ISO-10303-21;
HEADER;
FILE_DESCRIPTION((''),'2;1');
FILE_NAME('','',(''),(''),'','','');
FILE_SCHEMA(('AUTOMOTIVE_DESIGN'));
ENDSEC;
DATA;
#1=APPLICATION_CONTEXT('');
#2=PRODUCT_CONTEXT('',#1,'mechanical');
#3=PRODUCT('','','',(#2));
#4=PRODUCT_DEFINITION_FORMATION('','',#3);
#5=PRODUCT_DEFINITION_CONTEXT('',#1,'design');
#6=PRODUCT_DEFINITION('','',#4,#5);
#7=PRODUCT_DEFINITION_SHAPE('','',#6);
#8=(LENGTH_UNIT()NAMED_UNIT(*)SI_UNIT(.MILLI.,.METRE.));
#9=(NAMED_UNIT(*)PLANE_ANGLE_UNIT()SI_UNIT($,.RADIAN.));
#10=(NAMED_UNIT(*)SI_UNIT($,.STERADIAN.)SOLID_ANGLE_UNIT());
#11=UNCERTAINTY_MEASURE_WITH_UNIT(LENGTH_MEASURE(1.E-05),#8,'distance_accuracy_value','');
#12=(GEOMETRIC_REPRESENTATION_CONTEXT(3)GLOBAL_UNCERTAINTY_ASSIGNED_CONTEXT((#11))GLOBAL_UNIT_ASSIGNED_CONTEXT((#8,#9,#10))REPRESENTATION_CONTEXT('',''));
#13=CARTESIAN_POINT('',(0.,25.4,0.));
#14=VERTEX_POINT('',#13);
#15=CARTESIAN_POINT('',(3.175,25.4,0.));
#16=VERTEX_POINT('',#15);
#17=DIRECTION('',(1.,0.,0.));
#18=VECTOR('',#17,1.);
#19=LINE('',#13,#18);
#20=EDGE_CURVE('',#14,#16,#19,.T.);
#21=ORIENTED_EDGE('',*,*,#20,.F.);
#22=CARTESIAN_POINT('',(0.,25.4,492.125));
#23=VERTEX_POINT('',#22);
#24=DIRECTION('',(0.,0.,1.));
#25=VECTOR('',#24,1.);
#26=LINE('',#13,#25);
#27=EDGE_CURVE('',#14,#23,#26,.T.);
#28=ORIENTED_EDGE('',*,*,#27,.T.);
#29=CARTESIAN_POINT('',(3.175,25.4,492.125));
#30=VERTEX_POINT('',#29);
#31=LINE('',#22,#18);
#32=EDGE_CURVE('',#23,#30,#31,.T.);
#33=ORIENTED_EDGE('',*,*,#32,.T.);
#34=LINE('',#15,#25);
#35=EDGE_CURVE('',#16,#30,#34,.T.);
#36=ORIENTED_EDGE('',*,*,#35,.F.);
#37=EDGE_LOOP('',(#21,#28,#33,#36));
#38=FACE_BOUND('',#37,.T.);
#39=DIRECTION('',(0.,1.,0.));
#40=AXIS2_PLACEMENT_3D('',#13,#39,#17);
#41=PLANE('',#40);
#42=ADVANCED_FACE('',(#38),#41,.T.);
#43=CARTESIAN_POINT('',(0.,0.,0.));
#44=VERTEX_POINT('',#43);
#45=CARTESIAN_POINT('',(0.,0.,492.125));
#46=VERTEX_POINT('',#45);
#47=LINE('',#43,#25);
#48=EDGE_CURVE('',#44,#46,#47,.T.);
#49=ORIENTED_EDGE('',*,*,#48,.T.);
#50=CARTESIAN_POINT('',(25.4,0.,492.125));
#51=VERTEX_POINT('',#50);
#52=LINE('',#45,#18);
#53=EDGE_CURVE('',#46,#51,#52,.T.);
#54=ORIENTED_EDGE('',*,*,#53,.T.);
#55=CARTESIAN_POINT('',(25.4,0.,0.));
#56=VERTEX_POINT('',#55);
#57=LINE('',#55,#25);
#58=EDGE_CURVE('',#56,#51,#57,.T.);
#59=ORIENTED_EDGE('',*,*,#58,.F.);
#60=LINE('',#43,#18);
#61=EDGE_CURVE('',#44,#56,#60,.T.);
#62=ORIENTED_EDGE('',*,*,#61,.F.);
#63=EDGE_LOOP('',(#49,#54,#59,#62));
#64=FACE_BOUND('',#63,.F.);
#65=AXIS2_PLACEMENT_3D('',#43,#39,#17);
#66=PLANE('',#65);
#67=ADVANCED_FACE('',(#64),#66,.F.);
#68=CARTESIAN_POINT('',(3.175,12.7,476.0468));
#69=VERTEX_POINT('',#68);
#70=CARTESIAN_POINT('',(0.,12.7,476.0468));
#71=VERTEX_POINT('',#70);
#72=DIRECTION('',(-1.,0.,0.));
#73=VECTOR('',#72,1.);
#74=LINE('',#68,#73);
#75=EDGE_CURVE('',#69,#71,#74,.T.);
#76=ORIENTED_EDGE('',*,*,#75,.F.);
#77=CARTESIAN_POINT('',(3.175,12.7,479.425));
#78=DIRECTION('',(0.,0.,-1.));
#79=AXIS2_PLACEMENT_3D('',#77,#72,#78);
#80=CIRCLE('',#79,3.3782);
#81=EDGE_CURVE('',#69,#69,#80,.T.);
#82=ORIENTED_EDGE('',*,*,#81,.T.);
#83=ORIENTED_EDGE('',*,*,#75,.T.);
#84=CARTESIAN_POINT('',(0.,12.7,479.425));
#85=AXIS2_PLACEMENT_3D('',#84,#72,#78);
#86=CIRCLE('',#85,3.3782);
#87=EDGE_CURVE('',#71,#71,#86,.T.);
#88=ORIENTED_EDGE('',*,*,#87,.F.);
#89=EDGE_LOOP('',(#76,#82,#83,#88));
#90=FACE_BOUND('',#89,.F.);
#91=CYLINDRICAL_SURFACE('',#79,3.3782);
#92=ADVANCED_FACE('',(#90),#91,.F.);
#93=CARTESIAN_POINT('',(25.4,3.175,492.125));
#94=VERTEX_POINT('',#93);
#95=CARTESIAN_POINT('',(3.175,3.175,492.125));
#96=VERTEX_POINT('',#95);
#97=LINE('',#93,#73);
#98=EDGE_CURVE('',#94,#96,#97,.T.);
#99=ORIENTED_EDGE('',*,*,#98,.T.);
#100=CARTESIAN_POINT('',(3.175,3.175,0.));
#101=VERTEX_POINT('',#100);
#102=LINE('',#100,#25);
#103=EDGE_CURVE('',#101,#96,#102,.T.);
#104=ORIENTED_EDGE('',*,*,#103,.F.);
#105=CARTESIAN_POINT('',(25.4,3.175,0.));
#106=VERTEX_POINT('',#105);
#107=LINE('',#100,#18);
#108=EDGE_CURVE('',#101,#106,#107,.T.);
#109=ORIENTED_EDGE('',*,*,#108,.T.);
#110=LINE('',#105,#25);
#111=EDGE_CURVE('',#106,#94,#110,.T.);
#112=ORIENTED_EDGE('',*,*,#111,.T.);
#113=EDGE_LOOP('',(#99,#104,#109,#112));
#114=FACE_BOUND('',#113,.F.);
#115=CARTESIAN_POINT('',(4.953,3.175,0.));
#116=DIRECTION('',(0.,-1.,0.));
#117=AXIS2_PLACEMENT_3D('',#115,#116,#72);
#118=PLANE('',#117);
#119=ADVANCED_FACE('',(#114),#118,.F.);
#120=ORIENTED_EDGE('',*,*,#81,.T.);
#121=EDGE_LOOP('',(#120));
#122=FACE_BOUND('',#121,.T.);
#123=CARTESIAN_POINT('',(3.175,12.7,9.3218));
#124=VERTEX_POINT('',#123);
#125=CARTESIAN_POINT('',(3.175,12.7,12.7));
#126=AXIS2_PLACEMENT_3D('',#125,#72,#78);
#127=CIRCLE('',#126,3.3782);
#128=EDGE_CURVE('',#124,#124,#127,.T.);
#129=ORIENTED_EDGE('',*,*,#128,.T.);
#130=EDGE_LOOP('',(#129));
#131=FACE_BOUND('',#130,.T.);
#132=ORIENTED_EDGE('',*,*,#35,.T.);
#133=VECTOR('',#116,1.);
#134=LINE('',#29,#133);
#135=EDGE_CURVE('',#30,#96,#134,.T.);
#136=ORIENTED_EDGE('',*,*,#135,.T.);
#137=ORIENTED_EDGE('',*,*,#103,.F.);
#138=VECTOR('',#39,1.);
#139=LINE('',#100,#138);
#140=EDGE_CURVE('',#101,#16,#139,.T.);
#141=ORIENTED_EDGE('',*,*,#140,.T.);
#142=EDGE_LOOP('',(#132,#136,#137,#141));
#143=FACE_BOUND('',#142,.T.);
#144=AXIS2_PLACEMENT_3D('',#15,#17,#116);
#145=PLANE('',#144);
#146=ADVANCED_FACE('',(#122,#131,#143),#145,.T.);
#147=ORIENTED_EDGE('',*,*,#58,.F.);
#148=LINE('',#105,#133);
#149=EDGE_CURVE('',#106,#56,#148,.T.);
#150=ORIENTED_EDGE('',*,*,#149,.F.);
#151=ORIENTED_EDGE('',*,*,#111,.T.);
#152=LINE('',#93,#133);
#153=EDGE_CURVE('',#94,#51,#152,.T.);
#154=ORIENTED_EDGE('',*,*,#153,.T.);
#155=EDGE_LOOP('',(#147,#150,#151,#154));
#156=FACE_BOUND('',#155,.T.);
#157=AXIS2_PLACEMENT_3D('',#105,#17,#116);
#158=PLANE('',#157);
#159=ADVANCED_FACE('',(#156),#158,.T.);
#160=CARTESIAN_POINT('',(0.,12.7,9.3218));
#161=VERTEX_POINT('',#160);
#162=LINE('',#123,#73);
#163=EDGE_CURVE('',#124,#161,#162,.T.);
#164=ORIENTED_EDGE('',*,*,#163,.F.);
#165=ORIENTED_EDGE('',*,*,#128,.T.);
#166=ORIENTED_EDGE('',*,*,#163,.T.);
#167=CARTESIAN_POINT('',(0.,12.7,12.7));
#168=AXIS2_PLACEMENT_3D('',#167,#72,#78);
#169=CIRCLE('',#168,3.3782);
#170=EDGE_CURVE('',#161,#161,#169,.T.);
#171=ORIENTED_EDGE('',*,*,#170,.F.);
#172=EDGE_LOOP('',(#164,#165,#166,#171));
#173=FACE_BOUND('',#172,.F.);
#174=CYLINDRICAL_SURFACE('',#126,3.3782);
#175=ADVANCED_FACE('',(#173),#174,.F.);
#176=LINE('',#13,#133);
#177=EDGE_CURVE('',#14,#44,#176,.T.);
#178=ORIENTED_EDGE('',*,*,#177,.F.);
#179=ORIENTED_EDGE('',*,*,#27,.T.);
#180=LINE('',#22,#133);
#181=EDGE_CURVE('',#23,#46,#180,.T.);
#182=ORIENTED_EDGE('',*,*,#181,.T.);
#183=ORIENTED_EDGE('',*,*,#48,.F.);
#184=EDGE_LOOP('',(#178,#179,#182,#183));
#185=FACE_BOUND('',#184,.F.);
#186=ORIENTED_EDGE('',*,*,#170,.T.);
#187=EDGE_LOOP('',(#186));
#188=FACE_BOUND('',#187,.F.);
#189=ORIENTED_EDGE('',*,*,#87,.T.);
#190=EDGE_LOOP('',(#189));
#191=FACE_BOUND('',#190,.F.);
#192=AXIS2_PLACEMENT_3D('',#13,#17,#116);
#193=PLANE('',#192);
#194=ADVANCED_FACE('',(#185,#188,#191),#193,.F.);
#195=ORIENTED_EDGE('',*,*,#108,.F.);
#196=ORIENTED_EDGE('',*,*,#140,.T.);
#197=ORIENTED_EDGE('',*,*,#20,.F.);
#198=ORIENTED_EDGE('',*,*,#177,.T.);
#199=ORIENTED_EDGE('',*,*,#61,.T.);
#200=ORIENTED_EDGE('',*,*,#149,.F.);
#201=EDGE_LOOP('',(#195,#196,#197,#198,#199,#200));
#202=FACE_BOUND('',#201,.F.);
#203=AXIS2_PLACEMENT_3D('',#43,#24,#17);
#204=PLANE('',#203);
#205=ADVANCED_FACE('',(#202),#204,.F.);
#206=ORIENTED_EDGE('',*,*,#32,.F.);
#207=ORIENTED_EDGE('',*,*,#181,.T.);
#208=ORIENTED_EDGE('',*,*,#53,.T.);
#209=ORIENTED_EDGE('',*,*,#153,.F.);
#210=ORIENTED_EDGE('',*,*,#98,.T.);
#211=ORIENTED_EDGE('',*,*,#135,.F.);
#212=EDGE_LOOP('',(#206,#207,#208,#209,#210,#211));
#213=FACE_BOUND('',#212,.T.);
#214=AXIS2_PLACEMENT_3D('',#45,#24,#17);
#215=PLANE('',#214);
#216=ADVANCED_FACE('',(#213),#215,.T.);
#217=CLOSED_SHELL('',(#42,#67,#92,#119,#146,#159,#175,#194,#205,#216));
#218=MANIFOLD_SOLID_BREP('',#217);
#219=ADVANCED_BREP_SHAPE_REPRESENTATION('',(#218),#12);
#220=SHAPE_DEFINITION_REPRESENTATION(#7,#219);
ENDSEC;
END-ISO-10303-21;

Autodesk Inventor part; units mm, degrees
ref_plane "YZ Plane" through (0, 0, 0) normal (1, 0, 0) x (0, 1, 0)
ref_plane "XZ Plane" through (0, 0, 0) normal (0, 1, 0) x (-1, 0, 0)
ref_plane "XY Plane" through (0, 0, 0) normal (0, 0, 1) x (1, 0, 0)
sketch "Sketch1" plane through (0, 0, 0) normal (0, 0, 1) x (1, 0, 0)
  line L0 (0, 25.4) -> (0, 0)
  line L1 (0, 0) -> (25.4, 0)
  line L2 (3.175, 25.4) -> (3.175, 4.953)
  line L3 (4.953, 3.175) -> (25.4, 3.175)
  line L4 (0, 25.4) -> (3.175, 25.4)
  line L5 (25.4, 3.175) -> (25.4, 0)
  line L6 (3.175, 4.953) -> (3.175, 3.175)
  line L7 (4.953, 3.175) -> (3.175, 3.175)
  dimension "d0" = 25.4
  dimension "d1" = 25.4
  dimension "d2" = 3.175
extrude "Extrusion1" add sketch "Sketch1" along normal blind 492.125
sketch "Sketch7" plane through (3.175, 3.175, 0) normal (1, 0, 0) x (0, 0, -1)
  circle A0 centre (-479.425, 9.525) radius 2.8124
  line L0 (0, 22.225) -> (-492.125, 22.225) projected
  line L1 (-492.125, 0) -> (-492.125, 22.225) projected
  circle A1 centre (-12.7, 9.525) radius 2.8124
  point P0 (0, -3.175)
  dimension "d43" = 12.7
  dimension "d44" = 12.7
  dimension "d47" = 466.725
hole "mount" at (3.175, 12.7, 479.425) at (3.175, 12.7, 12.7) direction (-1, 0, 0) diameter 6.7564 depth 25.4 tip angle 118 clearance for "Flat Head Machine Screw (82)" size "1/4" standard "Ansi Unified Screw Threads"
properties part number "angle_L1"
